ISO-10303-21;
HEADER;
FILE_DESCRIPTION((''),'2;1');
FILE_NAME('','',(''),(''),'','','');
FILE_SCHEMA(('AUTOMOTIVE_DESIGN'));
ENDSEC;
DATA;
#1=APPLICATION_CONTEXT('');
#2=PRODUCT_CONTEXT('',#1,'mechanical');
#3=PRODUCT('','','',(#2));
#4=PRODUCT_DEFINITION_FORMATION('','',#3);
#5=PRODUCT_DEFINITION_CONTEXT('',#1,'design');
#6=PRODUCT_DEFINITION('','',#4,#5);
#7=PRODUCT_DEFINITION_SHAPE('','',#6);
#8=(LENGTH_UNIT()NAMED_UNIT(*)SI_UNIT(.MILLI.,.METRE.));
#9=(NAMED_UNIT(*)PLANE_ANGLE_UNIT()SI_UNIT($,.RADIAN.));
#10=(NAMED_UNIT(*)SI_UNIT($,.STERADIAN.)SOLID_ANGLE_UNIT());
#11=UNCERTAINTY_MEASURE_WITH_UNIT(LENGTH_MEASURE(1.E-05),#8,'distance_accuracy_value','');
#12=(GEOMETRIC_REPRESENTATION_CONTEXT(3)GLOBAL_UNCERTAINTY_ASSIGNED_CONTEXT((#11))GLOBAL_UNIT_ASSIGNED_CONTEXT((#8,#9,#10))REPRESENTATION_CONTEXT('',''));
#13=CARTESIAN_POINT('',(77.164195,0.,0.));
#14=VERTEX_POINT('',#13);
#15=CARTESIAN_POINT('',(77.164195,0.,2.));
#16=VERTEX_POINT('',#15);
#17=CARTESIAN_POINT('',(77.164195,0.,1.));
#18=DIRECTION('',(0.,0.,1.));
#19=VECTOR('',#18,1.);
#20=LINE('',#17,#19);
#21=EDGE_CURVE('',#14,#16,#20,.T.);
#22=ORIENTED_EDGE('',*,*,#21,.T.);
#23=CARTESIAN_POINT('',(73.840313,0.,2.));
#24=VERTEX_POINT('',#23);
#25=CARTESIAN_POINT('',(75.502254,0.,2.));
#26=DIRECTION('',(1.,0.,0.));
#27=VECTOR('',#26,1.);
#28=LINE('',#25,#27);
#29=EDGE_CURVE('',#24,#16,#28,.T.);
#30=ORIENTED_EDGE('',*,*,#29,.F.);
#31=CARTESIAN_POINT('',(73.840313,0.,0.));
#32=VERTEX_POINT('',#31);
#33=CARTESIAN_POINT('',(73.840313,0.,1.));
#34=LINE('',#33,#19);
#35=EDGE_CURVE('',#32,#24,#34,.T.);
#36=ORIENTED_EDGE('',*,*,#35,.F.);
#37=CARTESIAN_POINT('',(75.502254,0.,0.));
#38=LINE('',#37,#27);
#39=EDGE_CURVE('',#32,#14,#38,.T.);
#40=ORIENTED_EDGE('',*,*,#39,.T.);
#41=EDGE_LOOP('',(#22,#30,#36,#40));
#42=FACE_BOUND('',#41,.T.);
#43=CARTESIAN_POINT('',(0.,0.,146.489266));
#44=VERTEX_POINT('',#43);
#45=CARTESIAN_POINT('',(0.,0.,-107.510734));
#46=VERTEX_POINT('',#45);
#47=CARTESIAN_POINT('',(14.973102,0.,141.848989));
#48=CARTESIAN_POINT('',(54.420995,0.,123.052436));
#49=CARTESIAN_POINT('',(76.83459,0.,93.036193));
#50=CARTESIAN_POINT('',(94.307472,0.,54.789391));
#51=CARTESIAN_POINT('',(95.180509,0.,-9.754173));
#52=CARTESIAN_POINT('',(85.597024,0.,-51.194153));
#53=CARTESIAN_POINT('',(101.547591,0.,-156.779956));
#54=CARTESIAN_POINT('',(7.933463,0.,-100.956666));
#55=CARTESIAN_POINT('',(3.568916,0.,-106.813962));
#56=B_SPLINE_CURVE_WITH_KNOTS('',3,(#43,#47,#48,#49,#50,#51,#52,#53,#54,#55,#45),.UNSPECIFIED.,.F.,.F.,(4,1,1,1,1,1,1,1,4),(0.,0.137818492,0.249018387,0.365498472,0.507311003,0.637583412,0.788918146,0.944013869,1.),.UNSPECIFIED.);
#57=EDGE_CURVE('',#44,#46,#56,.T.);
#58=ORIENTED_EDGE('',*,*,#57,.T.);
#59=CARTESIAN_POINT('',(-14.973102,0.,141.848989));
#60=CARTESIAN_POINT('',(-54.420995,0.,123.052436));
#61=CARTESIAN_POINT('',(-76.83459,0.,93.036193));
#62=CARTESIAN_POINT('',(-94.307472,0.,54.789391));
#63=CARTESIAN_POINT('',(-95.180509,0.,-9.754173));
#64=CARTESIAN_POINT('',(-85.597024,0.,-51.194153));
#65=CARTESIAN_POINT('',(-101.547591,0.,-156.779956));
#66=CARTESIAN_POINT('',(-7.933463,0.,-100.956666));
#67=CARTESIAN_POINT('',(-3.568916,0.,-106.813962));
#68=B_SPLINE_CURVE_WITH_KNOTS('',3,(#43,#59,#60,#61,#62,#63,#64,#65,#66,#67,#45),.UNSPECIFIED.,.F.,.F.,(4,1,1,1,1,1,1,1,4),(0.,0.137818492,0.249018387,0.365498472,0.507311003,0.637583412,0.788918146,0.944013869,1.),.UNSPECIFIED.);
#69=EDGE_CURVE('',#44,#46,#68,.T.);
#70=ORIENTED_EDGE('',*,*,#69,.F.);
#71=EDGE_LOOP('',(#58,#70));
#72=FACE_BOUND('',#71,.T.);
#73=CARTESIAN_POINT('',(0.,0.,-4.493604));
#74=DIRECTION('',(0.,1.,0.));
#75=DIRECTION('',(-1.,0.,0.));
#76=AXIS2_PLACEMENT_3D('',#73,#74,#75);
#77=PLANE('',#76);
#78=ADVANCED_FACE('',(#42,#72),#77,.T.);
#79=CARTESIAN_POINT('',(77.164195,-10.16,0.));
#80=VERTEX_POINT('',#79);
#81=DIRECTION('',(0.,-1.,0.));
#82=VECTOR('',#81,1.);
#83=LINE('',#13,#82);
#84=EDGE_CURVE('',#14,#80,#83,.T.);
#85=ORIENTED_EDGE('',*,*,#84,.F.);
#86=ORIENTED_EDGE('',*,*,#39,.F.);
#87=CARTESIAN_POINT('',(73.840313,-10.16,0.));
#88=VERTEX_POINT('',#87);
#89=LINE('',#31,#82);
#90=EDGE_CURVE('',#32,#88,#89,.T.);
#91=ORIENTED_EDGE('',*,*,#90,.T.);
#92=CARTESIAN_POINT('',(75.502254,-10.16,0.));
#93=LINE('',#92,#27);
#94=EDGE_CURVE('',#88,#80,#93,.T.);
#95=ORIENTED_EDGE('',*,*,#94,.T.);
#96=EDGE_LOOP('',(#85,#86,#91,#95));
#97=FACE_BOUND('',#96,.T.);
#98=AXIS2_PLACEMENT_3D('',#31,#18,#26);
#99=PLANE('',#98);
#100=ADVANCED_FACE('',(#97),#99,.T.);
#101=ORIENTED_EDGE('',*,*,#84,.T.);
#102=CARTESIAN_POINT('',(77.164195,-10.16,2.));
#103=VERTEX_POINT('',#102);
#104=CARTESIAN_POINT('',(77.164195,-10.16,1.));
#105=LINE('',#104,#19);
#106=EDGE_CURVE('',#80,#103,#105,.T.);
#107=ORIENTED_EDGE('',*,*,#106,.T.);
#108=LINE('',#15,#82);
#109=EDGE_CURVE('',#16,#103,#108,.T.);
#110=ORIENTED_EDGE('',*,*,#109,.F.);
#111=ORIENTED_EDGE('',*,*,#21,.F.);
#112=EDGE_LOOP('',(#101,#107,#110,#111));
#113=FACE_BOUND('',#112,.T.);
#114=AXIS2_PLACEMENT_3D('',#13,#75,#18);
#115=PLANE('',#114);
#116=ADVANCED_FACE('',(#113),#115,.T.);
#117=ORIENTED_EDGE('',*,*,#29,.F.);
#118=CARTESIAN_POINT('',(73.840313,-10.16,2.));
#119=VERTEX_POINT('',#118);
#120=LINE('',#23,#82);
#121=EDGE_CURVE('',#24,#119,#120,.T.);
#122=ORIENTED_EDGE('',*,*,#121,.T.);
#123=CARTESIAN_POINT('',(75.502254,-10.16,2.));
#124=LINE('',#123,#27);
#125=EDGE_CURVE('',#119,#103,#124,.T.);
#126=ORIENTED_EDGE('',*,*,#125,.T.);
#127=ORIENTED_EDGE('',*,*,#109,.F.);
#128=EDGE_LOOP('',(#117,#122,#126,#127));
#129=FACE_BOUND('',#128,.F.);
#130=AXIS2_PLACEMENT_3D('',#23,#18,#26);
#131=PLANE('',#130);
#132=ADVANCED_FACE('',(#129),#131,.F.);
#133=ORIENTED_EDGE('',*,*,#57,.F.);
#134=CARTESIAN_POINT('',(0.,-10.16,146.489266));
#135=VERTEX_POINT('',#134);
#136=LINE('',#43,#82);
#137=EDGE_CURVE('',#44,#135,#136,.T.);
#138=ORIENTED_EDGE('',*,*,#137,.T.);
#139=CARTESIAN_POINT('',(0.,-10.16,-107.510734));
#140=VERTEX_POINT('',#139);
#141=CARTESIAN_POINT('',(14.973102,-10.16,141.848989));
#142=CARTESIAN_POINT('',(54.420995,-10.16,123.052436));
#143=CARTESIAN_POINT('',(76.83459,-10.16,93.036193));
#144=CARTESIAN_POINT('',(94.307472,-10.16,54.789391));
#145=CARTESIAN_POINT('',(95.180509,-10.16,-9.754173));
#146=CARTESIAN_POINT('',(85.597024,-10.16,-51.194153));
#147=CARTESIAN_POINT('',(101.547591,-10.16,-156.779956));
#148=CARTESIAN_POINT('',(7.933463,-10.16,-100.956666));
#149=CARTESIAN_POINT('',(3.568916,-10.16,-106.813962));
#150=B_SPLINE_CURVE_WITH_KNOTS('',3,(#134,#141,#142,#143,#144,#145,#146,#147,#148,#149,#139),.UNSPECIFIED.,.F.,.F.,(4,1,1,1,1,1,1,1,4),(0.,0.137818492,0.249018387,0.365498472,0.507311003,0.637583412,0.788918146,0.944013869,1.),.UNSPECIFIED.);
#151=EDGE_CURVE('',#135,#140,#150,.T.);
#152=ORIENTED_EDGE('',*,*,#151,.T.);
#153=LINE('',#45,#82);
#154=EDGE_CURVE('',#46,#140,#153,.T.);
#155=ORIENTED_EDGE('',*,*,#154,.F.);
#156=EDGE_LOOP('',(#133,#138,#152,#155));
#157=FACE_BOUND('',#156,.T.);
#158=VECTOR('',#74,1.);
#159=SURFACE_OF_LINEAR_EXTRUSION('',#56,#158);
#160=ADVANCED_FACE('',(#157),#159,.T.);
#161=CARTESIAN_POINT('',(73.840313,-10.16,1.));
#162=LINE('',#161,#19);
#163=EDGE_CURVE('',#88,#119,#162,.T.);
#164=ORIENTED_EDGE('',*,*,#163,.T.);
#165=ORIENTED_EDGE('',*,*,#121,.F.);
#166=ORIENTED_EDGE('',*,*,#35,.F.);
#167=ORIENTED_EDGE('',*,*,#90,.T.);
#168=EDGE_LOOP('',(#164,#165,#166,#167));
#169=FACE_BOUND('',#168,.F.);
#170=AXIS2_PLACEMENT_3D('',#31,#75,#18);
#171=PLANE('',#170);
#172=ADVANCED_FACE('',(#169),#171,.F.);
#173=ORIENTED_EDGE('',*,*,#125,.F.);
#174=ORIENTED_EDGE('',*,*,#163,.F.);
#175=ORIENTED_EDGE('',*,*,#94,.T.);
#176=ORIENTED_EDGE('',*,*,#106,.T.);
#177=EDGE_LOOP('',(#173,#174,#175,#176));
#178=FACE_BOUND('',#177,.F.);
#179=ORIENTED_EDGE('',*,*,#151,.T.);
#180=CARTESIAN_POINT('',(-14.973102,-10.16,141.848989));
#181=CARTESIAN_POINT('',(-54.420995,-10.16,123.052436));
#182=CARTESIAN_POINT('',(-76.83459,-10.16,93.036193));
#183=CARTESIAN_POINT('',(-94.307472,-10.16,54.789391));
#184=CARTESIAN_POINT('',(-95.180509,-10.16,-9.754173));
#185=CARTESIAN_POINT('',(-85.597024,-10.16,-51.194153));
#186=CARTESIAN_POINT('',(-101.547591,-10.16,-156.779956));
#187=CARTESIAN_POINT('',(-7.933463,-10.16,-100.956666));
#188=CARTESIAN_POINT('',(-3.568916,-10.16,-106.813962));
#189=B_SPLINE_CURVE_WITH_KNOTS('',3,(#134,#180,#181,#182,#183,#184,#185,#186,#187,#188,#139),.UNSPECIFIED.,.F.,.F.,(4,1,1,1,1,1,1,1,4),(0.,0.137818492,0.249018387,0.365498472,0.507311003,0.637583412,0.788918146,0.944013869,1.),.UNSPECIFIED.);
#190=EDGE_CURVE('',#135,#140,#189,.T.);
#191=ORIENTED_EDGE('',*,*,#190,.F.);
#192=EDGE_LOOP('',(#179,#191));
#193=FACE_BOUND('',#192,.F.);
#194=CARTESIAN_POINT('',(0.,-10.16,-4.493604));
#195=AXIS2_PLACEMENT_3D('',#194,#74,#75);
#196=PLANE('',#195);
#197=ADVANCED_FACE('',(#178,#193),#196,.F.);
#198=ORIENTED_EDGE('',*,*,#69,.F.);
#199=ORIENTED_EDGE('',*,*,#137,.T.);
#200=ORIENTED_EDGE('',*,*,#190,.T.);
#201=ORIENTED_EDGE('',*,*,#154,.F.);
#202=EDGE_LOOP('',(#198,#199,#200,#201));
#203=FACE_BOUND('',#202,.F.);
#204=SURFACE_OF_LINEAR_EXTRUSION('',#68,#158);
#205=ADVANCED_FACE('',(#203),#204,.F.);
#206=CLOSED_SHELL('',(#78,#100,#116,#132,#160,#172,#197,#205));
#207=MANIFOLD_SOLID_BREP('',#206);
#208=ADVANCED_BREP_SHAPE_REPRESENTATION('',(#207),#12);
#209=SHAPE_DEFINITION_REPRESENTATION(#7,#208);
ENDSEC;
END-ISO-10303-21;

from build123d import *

# Parameters (mm, degrees)
F0_W     = 3.3238828182
F0_H     = 2
F1_DEPTH = 10.16


with BuildPart() as f1:
    # F0 (on Front) → F1 (new body)
    with BuildSketch(Plane.XZ):
        with BuildLine():
            add(Edge.make_bspline(
                [(0, 146.4892660909), (14.973101639, 141.8489893165), (54.4209947612, 123.0524360362), (76.8345900454, 93.036192557), (94.3074716459, 54.7893907086), (95.1805086638, -9.7541734509), (85.5970240787, -51.1941528922), (101.5475913352, -156.7799561455), (7.9334628065, -100.9566656144), (3.5689163596, -106.8139623215), (0, -107.5107339091)],
                knots=[0, 0, 0, 0, 0.1378184923, 0.2490183867, 0.3654984717, 0.5073110034, 0.6375834119, 0.7889181457, 0.944013869, 1, 1, 1, 1], degree=3))
            add(Edge.make_bspline(
                [(0, 146.4892660909), (-14.973101639, 141.8489893165), (-54.4209947612, 123.0524360362), (-76.8345900454, 93.036192557), (-94.3074716459, 54.7893907086), (-95.1805086638, -9.7541734509), (-85.5970240787, -51.1941528922), (-101.5475913352, -156.7799561455), (-7.9334628065, -100.9566656144), (-3.5689163596, -106.8139623215), (0, -107.5107339091)],
                knots=[0, 0, 0, 0, 0.1378184923, 0.2490183867, 0.3654984717, 0.5073110034, 0.6375834119, 0.7889181457, 0.944013869, 1, 1, 1, 1], degree=3))
        make_face()
        with Locations((75.5022540689, 1)):
            Rectangle(F0_W, F0_H, mode=Mode.SUBTRACT)
    extrude(amount=F1_DEPTH)


solid = f1.part
